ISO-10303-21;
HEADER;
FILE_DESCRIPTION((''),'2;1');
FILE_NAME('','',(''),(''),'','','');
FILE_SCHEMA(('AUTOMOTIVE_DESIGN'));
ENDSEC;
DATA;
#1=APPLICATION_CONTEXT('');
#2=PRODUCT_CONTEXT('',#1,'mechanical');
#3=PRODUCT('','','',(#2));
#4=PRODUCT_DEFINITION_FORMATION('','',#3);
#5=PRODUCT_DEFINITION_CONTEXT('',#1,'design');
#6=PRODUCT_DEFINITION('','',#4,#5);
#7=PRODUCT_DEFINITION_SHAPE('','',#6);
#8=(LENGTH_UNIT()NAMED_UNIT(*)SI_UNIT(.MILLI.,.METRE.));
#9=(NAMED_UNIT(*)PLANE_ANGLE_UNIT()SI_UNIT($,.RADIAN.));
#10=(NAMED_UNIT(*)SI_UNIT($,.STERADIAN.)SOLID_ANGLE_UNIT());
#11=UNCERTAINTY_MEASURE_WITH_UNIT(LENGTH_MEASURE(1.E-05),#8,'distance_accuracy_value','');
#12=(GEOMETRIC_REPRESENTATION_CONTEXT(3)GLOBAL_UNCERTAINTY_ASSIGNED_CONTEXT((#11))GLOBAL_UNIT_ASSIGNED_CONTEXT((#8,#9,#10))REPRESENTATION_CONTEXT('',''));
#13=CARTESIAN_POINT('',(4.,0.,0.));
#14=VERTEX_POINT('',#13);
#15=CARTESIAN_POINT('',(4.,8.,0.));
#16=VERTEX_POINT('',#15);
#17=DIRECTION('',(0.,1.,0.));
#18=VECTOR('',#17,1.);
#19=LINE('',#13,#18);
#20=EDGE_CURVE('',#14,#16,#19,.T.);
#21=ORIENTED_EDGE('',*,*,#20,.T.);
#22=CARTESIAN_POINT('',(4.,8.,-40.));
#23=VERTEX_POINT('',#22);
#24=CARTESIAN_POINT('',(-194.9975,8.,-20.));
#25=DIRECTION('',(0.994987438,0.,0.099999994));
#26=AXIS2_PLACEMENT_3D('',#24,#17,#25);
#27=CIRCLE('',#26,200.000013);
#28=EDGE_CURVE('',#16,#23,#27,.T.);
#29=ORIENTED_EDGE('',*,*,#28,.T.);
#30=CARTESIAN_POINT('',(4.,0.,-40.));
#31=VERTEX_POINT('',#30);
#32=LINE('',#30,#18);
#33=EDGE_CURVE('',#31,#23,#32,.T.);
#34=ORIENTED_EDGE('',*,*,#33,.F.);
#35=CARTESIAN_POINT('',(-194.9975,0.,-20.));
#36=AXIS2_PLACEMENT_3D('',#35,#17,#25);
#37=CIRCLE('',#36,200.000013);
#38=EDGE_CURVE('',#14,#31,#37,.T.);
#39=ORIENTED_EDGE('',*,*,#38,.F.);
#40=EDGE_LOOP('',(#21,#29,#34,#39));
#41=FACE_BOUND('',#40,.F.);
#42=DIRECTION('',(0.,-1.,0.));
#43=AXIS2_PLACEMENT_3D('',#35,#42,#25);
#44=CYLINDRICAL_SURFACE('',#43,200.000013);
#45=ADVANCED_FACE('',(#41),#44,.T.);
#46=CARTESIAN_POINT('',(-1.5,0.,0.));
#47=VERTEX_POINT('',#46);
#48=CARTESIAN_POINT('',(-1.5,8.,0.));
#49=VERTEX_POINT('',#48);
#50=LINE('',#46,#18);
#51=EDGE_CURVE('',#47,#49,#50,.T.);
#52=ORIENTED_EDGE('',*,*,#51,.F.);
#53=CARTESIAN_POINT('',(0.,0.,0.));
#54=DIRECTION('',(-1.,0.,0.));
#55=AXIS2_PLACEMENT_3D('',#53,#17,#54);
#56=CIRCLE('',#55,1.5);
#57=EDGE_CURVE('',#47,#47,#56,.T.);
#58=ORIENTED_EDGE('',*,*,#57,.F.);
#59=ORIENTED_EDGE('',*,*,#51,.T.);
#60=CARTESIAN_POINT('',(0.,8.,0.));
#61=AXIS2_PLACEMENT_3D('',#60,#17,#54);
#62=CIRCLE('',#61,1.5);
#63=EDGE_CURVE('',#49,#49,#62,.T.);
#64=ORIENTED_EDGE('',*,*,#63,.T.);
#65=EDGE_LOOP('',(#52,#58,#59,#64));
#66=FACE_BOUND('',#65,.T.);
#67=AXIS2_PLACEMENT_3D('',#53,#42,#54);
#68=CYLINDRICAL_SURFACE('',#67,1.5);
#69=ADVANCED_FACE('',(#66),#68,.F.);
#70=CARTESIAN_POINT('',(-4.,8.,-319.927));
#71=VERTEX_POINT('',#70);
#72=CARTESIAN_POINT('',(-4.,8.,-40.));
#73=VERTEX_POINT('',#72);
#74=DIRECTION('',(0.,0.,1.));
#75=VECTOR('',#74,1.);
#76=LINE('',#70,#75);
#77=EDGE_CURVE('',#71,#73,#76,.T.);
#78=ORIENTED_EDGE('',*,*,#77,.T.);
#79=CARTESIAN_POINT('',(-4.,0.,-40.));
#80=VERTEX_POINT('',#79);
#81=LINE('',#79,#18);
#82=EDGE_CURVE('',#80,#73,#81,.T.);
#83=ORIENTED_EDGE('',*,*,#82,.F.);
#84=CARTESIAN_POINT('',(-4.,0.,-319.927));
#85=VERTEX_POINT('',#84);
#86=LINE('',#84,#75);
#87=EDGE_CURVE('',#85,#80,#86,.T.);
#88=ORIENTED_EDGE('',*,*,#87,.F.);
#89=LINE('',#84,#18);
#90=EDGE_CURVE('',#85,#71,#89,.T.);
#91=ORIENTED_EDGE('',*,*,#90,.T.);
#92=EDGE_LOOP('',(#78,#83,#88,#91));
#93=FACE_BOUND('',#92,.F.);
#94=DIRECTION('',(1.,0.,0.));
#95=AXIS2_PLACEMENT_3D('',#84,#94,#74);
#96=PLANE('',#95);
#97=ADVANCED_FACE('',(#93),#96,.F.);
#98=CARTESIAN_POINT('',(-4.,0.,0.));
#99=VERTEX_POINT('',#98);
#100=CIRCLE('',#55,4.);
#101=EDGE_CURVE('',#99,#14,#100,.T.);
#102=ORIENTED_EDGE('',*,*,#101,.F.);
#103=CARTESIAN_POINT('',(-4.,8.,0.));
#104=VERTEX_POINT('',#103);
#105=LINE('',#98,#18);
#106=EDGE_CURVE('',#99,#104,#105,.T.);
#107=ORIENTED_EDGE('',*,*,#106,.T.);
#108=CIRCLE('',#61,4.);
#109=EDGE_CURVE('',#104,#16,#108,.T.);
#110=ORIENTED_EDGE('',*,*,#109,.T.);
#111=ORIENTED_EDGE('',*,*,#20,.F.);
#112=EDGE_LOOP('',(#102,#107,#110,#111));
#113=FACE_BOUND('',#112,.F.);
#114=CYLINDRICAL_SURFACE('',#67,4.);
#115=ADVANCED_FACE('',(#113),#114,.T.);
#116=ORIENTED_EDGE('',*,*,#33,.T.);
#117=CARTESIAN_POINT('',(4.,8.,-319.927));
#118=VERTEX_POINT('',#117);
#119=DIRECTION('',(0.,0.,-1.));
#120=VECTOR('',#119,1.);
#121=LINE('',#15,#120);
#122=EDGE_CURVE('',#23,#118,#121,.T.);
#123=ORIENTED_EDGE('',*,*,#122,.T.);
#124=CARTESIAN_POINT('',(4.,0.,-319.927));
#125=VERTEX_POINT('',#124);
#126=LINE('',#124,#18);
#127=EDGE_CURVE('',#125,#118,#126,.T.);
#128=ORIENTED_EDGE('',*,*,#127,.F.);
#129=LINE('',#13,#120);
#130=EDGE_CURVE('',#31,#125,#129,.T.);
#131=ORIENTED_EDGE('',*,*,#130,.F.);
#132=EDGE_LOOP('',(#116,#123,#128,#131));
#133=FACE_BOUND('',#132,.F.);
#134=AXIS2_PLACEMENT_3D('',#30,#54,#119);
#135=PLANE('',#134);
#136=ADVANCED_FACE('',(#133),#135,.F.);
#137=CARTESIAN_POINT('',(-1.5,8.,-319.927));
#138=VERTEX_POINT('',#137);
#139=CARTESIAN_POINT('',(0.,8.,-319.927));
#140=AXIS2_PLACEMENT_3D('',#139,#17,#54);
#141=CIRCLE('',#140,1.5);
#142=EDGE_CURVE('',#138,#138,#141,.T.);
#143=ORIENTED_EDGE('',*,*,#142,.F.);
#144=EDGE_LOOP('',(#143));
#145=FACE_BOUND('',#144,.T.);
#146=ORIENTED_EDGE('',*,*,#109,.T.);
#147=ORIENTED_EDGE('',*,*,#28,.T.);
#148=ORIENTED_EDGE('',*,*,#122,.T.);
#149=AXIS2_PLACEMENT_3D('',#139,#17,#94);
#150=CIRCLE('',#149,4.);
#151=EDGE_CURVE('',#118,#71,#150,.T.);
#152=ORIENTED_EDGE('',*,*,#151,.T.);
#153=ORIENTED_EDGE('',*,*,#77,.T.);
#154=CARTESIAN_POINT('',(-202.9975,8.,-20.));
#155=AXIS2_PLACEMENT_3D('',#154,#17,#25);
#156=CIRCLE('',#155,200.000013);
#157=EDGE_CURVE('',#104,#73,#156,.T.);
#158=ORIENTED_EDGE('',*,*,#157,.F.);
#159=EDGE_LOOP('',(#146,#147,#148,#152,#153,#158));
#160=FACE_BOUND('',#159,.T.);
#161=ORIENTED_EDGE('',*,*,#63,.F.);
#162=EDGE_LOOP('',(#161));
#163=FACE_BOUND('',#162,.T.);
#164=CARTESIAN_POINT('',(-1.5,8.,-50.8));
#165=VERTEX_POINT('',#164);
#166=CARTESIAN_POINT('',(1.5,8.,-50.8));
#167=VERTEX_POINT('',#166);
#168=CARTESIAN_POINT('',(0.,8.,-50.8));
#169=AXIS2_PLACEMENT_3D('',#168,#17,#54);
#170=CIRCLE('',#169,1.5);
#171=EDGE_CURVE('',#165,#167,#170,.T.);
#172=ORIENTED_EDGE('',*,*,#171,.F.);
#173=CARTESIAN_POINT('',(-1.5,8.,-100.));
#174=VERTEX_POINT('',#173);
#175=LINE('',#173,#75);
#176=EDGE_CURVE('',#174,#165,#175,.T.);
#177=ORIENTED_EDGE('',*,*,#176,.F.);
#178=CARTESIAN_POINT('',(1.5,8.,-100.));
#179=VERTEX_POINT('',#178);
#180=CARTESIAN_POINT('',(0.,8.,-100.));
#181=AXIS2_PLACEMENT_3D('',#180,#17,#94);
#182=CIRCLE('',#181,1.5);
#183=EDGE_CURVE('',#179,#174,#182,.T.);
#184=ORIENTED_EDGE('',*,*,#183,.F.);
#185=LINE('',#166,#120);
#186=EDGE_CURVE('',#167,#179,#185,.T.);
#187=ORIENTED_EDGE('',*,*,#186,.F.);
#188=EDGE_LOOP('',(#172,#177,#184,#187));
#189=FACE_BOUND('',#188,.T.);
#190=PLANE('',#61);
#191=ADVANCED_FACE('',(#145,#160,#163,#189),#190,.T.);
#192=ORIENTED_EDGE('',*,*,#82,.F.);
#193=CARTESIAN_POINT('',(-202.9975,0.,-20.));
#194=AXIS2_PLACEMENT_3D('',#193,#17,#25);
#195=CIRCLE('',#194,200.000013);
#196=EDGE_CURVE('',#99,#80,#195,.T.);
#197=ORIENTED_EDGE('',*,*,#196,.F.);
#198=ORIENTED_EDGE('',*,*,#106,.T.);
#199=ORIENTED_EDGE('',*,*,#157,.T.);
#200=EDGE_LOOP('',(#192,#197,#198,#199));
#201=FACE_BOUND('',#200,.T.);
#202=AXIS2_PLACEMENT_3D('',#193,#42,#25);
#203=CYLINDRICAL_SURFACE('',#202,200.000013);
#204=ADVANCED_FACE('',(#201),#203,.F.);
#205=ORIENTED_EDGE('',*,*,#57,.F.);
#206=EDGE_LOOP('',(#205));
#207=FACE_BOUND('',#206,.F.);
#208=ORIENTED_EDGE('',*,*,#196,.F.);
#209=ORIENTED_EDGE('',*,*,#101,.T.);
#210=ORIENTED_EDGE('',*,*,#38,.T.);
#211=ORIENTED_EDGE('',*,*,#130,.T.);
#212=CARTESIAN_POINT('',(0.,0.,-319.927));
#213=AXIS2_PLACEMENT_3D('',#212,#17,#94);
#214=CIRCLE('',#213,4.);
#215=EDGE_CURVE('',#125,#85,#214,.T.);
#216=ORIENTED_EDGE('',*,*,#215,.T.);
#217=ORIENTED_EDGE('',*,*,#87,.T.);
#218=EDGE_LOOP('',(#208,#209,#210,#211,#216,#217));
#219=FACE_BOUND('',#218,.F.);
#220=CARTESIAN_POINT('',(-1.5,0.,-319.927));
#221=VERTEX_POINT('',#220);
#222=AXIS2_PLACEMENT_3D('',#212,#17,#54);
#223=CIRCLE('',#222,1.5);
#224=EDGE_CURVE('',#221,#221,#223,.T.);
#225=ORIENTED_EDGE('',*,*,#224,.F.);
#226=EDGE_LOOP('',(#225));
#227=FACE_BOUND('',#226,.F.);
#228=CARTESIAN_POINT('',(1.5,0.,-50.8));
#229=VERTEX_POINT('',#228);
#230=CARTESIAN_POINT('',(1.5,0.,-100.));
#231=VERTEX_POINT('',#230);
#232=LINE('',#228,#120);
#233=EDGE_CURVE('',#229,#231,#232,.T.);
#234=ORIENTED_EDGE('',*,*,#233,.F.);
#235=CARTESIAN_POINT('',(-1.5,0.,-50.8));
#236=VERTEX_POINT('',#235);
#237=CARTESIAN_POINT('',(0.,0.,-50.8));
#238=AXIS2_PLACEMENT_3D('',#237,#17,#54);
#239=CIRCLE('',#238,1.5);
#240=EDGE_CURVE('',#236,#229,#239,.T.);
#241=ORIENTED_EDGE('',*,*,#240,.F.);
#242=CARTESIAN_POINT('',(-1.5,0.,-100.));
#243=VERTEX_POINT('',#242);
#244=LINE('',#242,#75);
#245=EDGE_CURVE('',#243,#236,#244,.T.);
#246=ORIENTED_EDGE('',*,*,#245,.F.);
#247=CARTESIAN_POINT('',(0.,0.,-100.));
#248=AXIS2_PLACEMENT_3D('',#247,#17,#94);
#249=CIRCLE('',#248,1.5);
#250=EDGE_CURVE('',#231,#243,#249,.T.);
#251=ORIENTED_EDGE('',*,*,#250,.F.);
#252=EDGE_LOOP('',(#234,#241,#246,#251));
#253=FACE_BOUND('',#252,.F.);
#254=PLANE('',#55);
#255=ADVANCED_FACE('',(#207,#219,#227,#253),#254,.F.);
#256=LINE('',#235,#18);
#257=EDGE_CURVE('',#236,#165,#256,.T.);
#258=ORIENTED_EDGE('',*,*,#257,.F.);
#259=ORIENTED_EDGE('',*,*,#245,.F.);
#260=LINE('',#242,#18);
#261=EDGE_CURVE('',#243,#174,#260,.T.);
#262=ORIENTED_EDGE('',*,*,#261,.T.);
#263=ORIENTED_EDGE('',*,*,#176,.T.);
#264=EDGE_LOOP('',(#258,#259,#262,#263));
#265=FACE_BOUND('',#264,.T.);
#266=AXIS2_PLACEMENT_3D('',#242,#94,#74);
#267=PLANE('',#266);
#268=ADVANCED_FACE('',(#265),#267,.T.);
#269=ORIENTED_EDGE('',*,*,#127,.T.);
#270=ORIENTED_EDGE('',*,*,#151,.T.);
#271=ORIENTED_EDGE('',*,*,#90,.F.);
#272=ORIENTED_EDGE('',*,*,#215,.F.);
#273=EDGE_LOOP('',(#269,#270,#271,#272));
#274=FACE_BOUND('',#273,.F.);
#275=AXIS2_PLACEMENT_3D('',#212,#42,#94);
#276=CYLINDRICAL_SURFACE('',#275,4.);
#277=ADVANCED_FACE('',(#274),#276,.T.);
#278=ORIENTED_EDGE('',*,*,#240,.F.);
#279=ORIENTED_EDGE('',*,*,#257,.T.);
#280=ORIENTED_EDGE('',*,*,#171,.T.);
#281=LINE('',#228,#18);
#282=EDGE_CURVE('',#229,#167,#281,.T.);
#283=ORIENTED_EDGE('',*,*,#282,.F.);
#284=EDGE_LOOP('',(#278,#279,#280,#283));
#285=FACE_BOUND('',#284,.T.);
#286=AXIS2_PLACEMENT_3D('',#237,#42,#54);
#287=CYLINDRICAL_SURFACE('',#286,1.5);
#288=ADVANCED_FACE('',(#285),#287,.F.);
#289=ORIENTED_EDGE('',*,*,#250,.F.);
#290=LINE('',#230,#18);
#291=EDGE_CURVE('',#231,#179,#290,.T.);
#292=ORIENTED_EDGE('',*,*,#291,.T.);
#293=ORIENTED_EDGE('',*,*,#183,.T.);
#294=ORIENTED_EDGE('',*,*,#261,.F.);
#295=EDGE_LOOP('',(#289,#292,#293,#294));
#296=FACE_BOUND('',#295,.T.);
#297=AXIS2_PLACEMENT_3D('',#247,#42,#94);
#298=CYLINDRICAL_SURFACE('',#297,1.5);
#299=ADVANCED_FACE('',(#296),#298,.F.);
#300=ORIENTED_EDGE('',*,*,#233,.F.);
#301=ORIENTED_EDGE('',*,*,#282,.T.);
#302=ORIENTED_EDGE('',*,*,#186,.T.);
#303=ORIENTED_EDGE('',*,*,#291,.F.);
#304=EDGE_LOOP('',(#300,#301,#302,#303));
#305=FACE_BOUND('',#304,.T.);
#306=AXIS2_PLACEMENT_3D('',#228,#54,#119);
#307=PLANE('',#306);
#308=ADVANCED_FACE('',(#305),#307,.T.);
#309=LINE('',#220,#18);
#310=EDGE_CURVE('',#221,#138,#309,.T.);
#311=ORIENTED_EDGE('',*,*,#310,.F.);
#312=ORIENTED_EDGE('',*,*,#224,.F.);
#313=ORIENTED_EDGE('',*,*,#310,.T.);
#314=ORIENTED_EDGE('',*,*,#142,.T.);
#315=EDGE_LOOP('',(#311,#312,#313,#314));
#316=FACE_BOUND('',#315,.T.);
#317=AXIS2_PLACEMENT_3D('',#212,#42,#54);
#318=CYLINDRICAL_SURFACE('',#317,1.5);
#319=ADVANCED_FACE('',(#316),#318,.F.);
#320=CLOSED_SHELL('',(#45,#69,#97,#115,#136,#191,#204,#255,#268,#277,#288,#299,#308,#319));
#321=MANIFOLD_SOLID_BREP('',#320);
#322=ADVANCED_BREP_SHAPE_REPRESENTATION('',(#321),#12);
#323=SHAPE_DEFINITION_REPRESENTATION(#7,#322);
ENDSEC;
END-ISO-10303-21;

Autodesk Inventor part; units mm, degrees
ref_plane "XZ Plane" through (0, 0, 0) normal (0, 1, 0) x (-1, 0, 0)
ref_plane "XY Plane" through (0, 0, 0) normal (0, 0, 1) x (1, 0, 0)
sketch "Sketch1" plane through (0, 0, 0) normal (0, 1, 0) x (-1, 0, 0)
  line L0 (0, 0) -> (0, -319.927) construction
  line L1 (-4, 0) -> (-4, -319.927)
  line L2 (4, -319.927) -> (4, 0)
  arc A0 (4, 0) -> (-4, 0) centre (0, 0) ccw
  arc A1 (-4, -319.927) -> (4, -319.927) centre (0, -319.927) ccw
  circle A2 centre (0, 0) radius 1.5
  circle A3 centre (0, -319.927) radius 1.5
  line L3 (0, -50.8) -> (0, -100) construction
  line L4 (-1.5, -50.8) -> (-1.5, -100)
  line L5 (1.5, -100) -> (1.5, -50.8)
  arc A4 (1.5, -50.8) -> (-1.5, -50.8) centre (0, -50.8) ccw
  arc A5 (-1.5, -100) -> (1.5, -100) centre (0, -100) ccw
  arc A6 (4, 0) -> (4, -40) centre (202.9975, -20) ccw
  arc A7 (-4, 0) -> (-4, -40) centre (194.9975, -20) ccw
  point P0 (0, -159.9635)
  point P1 (0, -75.4)
  dimension "d0" = 319.927
  dimension "d1" = 8
  dimension "d2" = 3
  dimension "d3" = 3
  dimension "d12" = 3
  dimension "d13" = 50.8
  dimension "d14" = 100
  dimension "d15" = 40
  dimension "d16" = 200
  dimension "d17" = 200
extrude "Extrusion1" add sketch "Sketch1" along normal blind 8 contours A0 A6 L2 A1 L1 | L1 A7
sketch "Sketch2" plane through (0, 0, 0) normal (0, -1, 0) x (1, 0, 0)
  arc A0 (4, -40) -> (4, 0) centre (-194.9975, -20) ccw projected
  arc A1 (4, 0) -> (-4, 0) centre (0, 0) ccw projected
  arc A2 (-4, -40) -> (-4, 0) centre (-202.9975, -20) ccw projected
  line L0 (-4, -319.927) -> (-4, -40) projected
  arc A3 (-4, -319.927) -> (4, -319.927) centre (0, -319.927) ccw projected
  line L1 (4, -40) -> (4, -319.927) projected
  circle A4 centre (0, 0) radius 1.5 projected
  circle A5 centre (0, -319.927) radius 1.5 projected
  arc A6 (1.5, -50.8) -> (-1.5, -50.8) centre (0, -50.8) ccw projected
  line L2 (1.5, -100) -> (1.5, -50.8) projected
  arc A7 (-1.5, -100) -> (1.5, -100) centre (0, -100) ccw projected
  line L3 (-1.5, -50.8) -> (-1.5, -100) projected
